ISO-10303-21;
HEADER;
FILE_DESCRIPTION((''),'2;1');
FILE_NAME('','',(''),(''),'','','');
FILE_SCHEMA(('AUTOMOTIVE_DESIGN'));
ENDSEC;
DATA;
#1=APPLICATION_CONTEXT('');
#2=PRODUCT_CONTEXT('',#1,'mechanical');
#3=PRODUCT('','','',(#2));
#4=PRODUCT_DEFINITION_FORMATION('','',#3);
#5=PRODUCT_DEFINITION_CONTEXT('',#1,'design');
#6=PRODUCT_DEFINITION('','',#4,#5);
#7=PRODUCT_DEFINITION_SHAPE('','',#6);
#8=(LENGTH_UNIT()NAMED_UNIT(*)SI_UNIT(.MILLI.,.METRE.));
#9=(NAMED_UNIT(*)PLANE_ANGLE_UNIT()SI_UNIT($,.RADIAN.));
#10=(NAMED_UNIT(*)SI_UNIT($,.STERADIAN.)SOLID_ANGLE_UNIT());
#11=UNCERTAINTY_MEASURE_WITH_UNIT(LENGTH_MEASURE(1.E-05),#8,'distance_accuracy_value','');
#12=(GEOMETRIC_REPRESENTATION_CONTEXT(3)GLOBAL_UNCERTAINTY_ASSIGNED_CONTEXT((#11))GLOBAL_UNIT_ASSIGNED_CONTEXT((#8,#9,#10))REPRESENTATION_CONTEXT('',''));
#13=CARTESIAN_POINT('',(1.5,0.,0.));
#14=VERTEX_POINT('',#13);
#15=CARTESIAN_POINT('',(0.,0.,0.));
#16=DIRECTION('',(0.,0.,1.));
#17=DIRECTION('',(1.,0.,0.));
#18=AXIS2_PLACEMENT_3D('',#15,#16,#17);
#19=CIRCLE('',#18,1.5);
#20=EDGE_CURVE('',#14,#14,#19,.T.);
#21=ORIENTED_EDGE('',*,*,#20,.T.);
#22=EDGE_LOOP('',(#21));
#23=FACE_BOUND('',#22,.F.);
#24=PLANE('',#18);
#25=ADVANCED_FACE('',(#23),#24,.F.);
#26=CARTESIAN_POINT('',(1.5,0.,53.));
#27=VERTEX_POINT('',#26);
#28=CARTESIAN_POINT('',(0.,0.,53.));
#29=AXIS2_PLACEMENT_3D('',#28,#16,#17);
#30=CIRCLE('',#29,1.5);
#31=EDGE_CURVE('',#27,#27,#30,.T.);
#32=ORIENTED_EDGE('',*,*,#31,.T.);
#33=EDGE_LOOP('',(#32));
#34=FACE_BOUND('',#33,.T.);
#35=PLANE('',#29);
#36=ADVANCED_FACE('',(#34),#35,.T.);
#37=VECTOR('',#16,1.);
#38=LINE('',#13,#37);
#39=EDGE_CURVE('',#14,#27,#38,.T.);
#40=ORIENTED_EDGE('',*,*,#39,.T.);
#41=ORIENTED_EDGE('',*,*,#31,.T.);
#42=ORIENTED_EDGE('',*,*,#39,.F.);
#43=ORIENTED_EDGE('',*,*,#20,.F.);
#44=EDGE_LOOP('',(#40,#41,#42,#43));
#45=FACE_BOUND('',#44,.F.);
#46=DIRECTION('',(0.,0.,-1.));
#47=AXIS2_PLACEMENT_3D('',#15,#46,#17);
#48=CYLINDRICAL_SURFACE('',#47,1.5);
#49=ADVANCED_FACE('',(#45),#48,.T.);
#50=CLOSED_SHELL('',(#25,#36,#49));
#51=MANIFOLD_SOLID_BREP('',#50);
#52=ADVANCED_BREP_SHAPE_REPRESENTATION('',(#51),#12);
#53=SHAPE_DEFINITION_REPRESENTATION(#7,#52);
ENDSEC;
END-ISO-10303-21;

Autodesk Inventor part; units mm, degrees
ref_plane "YZ Plane" through (0, 0, 0) normal (1, 0, 0) x (0, 1, 0)
ref_plane "XZ Plane" through (0, 0, 0) normal (0, 1, 0) x (-1, 0, 0)
ref_plane "XY Plane" through (0, 0, 0) normal (0, 0, 1) x (1, 0, 0)
sketch "Sketch1" plane through (0, 0, 0) normal (0, 0, 1) x (1, 0, 0)
  circle A0 centre (0, 0) radius 1.5
  dimension "d0" = 3
extrude "Extrusion1" add sketch "Sketch1" along normal blind 53
thread "Thread1" size "M3x0.5" class "6g" standard "ANSI Metric M Profile" full length
properties part number "m3-pin-for-ring-anode" material "Stainless Steel"
